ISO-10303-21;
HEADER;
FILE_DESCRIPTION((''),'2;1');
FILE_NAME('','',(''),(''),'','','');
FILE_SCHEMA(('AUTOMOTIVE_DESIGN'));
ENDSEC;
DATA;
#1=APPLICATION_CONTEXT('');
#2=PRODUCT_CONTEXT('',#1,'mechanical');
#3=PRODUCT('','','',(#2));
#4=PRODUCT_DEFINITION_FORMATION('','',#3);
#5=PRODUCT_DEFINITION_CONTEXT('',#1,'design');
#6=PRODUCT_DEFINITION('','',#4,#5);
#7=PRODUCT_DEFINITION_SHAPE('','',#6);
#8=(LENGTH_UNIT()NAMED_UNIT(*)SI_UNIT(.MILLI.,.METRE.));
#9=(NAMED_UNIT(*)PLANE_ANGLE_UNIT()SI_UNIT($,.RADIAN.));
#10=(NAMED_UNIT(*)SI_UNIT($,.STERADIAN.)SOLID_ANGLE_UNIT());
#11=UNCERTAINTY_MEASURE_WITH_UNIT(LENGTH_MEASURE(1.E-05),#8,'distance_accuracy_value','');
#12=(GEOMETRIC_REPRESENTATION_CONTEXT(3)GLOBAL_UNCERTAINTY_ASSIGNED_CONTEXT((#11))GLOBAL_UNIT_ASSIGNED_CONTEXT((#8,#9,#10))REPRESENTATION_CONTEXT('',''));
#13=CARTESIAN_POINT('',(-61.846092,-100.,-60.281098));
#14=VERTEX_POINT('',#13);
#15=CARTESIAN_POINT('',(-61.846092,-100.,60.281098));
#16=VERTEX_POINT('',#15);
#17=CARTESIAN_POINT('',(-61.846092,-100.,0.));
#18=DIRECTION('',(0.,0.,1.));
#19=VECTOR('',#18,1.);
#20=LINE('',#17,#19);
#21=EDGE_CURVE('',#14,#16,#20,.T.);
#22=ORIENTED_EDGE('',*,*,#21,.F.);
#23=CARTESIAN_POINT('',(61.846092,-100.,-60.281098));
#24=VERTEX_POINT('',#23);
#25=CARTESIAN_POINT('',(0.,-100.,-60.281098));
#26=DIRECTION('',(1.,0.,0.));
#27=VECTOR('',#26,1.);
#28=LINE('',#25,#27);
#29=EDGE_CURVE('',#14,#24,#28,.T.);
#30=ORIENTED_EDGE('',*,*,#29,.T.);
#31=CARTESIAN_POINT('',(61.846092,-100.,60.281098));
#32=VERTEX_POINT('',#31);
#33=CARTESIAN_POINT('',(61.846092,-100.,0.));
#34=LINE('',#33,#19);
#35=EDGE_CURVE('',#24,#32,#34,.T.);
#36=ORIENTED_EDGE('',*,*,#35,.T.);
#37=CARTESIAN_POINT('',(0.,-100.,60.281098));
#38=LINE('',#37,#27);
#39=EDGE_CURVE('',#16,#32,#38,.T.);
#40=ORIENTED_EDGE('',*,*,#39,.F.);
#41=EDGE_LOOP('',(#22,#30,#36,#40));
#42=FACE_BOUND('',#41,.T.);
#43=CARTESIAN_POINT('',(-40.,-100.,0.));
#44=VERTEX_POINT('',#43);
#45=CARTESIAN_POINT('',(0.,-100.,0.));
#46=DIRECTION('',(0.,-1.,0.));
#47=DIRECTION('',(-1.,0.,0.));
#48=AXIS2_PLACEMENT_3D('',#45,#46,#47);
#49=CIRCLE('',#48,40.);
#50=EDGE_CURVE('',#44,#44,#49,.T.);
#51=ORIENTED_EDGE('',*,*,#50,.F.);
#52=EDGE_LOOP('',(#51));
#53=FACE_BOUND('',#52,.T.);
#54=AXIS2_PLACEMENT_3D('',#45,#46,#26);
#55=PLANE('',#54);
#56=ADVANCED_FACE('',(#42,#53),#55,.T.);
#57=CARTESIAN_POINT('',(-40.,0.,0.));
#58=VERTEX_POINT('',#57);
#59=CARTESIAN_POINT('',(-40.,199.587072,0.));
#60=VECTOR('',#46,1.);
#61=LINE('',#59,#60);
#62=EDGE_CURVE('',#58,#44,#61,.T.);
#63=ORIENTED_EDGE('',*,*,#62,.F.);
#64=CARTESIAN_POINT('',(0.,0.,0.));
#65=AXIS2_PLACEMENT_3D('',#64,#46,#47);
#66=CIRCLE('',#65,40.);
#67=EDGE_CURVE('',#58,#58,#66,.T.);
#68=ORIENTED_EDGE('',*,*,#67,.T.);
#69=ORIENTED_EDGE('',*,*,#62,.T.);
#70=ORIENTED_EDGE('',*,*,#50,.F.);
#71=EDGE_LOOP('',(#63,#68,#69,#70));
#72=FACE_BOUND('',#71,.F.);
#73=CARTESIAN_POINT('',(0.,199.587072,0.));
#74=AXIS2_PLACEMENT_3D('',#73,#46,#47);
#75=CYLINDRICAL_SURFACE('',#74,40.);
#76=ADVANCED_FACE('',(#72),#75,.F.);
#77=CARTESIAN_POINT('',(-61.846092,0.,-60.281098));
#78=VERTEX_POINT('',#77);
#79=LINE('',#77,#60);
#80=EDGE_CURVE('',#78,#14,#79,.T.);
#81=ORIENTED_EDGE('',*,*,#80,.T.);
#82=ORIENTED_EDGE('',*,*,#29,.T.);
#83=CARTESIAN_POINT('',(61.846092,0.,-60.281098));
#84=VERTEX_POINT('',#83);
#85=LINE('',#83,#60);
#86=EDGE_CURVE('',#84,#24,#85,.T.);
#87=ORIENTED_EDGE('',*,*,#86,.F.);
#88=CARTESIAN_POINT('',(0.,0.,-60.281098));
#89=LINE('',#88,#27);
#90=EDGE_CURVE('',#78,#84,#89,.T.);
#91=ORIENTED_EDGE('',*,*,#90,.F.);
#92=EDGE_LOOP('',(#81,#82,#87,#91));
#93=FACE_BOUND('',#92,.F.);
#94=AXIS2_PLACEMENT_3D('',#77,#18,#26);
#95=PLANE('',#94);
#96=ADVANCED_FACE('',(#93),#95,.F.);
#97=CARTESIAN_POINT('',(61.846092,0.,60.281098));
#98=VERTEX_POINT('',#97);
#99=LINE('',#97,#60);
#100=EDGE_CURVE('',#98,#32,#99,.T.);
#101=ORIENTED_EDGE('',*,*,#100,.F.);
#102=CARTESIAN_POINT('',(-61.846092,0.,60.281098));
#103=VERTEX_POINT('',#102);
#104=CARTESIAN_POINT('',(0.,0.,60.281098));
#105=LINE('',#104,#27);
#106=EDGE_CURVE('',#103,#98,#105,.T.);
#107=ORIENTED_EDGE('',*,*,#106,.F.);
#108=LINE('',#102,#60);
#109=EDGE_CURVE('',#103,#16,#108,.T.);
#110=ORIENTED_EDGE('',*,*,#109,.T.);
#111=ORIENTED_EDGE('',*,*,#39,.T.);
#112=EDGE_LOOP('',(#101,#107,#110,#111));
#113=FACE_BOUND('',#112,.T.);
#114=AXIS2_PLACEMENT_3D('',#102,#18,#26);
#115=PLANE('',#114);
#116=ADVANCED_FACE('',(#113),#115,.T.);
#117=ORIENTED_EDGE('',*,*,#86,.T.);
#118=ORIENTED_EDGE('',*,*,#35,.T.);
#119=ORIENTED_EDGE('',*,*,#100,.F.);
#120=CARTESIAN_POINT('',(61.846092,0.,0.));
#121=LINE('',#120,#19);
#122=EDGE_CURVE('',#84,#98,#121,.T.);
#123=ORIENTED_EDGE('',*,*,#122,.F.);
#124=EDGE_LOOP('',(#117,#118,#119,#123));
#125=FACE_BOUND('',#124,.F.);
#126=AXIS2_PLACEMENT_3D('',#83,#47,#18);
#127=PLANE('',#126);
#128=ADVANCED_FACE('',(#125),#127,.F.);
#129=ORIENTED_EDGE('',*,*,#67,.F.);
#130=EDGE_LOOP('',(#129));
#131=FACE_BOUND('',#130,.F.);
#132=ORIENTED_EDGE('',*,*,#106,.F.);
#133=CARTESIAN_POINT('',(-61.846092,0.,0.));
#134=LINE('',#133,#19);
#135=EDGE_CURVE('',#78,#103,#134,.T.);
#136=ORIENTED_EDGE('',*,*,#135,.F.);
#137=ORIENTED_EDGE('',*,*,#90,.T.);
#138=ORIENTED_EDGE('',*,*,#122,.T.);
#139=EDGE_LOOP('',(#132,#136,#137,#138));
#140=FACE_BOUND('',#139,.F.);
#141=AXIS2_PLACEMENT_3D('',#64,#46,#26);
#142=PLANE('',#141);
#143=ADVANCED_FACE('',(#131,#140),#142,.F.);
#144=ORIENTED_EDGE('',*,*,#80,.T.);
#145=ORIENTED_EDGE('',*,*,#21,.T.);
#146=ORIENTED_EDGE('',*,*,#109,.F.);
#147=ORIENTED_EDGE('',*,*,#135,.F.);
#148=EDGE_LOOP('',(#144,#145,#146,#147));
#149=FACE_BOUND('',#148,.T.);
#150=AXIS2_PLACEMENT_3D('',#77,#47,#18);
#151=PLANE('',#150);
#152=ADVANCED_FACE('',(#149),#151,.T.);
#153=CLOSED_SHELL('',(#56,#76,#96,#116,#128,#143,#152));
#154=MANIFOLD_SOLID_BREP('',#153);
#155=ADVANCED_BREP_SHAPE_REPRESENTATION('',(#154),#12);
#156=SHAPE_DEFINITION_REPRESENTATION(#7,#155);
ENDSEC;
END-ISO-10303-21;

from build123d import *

# Parameters (mm, degrees)
F0_W     = 123.692184
F0_H     = 120.562196
F2_DEPTH = 100
F3_D     = 80


with BuildPart() as f2:
    # F0 (on Front) → F2 (new body)
    with BuildSketch(Plane.XZ):
        Rectangle(F0_W, F0_H)
    extrude(amount=F2_DEPTH)

    # F3 (through all)
    with Locations(Plane(origin=(0, 0, 0), x_dir=(1, 0, 0), z_dir=(0, 1, 0))):
        with Locations((0, 0)):
            Hole(F3_D / 2)


solid = f2.part
